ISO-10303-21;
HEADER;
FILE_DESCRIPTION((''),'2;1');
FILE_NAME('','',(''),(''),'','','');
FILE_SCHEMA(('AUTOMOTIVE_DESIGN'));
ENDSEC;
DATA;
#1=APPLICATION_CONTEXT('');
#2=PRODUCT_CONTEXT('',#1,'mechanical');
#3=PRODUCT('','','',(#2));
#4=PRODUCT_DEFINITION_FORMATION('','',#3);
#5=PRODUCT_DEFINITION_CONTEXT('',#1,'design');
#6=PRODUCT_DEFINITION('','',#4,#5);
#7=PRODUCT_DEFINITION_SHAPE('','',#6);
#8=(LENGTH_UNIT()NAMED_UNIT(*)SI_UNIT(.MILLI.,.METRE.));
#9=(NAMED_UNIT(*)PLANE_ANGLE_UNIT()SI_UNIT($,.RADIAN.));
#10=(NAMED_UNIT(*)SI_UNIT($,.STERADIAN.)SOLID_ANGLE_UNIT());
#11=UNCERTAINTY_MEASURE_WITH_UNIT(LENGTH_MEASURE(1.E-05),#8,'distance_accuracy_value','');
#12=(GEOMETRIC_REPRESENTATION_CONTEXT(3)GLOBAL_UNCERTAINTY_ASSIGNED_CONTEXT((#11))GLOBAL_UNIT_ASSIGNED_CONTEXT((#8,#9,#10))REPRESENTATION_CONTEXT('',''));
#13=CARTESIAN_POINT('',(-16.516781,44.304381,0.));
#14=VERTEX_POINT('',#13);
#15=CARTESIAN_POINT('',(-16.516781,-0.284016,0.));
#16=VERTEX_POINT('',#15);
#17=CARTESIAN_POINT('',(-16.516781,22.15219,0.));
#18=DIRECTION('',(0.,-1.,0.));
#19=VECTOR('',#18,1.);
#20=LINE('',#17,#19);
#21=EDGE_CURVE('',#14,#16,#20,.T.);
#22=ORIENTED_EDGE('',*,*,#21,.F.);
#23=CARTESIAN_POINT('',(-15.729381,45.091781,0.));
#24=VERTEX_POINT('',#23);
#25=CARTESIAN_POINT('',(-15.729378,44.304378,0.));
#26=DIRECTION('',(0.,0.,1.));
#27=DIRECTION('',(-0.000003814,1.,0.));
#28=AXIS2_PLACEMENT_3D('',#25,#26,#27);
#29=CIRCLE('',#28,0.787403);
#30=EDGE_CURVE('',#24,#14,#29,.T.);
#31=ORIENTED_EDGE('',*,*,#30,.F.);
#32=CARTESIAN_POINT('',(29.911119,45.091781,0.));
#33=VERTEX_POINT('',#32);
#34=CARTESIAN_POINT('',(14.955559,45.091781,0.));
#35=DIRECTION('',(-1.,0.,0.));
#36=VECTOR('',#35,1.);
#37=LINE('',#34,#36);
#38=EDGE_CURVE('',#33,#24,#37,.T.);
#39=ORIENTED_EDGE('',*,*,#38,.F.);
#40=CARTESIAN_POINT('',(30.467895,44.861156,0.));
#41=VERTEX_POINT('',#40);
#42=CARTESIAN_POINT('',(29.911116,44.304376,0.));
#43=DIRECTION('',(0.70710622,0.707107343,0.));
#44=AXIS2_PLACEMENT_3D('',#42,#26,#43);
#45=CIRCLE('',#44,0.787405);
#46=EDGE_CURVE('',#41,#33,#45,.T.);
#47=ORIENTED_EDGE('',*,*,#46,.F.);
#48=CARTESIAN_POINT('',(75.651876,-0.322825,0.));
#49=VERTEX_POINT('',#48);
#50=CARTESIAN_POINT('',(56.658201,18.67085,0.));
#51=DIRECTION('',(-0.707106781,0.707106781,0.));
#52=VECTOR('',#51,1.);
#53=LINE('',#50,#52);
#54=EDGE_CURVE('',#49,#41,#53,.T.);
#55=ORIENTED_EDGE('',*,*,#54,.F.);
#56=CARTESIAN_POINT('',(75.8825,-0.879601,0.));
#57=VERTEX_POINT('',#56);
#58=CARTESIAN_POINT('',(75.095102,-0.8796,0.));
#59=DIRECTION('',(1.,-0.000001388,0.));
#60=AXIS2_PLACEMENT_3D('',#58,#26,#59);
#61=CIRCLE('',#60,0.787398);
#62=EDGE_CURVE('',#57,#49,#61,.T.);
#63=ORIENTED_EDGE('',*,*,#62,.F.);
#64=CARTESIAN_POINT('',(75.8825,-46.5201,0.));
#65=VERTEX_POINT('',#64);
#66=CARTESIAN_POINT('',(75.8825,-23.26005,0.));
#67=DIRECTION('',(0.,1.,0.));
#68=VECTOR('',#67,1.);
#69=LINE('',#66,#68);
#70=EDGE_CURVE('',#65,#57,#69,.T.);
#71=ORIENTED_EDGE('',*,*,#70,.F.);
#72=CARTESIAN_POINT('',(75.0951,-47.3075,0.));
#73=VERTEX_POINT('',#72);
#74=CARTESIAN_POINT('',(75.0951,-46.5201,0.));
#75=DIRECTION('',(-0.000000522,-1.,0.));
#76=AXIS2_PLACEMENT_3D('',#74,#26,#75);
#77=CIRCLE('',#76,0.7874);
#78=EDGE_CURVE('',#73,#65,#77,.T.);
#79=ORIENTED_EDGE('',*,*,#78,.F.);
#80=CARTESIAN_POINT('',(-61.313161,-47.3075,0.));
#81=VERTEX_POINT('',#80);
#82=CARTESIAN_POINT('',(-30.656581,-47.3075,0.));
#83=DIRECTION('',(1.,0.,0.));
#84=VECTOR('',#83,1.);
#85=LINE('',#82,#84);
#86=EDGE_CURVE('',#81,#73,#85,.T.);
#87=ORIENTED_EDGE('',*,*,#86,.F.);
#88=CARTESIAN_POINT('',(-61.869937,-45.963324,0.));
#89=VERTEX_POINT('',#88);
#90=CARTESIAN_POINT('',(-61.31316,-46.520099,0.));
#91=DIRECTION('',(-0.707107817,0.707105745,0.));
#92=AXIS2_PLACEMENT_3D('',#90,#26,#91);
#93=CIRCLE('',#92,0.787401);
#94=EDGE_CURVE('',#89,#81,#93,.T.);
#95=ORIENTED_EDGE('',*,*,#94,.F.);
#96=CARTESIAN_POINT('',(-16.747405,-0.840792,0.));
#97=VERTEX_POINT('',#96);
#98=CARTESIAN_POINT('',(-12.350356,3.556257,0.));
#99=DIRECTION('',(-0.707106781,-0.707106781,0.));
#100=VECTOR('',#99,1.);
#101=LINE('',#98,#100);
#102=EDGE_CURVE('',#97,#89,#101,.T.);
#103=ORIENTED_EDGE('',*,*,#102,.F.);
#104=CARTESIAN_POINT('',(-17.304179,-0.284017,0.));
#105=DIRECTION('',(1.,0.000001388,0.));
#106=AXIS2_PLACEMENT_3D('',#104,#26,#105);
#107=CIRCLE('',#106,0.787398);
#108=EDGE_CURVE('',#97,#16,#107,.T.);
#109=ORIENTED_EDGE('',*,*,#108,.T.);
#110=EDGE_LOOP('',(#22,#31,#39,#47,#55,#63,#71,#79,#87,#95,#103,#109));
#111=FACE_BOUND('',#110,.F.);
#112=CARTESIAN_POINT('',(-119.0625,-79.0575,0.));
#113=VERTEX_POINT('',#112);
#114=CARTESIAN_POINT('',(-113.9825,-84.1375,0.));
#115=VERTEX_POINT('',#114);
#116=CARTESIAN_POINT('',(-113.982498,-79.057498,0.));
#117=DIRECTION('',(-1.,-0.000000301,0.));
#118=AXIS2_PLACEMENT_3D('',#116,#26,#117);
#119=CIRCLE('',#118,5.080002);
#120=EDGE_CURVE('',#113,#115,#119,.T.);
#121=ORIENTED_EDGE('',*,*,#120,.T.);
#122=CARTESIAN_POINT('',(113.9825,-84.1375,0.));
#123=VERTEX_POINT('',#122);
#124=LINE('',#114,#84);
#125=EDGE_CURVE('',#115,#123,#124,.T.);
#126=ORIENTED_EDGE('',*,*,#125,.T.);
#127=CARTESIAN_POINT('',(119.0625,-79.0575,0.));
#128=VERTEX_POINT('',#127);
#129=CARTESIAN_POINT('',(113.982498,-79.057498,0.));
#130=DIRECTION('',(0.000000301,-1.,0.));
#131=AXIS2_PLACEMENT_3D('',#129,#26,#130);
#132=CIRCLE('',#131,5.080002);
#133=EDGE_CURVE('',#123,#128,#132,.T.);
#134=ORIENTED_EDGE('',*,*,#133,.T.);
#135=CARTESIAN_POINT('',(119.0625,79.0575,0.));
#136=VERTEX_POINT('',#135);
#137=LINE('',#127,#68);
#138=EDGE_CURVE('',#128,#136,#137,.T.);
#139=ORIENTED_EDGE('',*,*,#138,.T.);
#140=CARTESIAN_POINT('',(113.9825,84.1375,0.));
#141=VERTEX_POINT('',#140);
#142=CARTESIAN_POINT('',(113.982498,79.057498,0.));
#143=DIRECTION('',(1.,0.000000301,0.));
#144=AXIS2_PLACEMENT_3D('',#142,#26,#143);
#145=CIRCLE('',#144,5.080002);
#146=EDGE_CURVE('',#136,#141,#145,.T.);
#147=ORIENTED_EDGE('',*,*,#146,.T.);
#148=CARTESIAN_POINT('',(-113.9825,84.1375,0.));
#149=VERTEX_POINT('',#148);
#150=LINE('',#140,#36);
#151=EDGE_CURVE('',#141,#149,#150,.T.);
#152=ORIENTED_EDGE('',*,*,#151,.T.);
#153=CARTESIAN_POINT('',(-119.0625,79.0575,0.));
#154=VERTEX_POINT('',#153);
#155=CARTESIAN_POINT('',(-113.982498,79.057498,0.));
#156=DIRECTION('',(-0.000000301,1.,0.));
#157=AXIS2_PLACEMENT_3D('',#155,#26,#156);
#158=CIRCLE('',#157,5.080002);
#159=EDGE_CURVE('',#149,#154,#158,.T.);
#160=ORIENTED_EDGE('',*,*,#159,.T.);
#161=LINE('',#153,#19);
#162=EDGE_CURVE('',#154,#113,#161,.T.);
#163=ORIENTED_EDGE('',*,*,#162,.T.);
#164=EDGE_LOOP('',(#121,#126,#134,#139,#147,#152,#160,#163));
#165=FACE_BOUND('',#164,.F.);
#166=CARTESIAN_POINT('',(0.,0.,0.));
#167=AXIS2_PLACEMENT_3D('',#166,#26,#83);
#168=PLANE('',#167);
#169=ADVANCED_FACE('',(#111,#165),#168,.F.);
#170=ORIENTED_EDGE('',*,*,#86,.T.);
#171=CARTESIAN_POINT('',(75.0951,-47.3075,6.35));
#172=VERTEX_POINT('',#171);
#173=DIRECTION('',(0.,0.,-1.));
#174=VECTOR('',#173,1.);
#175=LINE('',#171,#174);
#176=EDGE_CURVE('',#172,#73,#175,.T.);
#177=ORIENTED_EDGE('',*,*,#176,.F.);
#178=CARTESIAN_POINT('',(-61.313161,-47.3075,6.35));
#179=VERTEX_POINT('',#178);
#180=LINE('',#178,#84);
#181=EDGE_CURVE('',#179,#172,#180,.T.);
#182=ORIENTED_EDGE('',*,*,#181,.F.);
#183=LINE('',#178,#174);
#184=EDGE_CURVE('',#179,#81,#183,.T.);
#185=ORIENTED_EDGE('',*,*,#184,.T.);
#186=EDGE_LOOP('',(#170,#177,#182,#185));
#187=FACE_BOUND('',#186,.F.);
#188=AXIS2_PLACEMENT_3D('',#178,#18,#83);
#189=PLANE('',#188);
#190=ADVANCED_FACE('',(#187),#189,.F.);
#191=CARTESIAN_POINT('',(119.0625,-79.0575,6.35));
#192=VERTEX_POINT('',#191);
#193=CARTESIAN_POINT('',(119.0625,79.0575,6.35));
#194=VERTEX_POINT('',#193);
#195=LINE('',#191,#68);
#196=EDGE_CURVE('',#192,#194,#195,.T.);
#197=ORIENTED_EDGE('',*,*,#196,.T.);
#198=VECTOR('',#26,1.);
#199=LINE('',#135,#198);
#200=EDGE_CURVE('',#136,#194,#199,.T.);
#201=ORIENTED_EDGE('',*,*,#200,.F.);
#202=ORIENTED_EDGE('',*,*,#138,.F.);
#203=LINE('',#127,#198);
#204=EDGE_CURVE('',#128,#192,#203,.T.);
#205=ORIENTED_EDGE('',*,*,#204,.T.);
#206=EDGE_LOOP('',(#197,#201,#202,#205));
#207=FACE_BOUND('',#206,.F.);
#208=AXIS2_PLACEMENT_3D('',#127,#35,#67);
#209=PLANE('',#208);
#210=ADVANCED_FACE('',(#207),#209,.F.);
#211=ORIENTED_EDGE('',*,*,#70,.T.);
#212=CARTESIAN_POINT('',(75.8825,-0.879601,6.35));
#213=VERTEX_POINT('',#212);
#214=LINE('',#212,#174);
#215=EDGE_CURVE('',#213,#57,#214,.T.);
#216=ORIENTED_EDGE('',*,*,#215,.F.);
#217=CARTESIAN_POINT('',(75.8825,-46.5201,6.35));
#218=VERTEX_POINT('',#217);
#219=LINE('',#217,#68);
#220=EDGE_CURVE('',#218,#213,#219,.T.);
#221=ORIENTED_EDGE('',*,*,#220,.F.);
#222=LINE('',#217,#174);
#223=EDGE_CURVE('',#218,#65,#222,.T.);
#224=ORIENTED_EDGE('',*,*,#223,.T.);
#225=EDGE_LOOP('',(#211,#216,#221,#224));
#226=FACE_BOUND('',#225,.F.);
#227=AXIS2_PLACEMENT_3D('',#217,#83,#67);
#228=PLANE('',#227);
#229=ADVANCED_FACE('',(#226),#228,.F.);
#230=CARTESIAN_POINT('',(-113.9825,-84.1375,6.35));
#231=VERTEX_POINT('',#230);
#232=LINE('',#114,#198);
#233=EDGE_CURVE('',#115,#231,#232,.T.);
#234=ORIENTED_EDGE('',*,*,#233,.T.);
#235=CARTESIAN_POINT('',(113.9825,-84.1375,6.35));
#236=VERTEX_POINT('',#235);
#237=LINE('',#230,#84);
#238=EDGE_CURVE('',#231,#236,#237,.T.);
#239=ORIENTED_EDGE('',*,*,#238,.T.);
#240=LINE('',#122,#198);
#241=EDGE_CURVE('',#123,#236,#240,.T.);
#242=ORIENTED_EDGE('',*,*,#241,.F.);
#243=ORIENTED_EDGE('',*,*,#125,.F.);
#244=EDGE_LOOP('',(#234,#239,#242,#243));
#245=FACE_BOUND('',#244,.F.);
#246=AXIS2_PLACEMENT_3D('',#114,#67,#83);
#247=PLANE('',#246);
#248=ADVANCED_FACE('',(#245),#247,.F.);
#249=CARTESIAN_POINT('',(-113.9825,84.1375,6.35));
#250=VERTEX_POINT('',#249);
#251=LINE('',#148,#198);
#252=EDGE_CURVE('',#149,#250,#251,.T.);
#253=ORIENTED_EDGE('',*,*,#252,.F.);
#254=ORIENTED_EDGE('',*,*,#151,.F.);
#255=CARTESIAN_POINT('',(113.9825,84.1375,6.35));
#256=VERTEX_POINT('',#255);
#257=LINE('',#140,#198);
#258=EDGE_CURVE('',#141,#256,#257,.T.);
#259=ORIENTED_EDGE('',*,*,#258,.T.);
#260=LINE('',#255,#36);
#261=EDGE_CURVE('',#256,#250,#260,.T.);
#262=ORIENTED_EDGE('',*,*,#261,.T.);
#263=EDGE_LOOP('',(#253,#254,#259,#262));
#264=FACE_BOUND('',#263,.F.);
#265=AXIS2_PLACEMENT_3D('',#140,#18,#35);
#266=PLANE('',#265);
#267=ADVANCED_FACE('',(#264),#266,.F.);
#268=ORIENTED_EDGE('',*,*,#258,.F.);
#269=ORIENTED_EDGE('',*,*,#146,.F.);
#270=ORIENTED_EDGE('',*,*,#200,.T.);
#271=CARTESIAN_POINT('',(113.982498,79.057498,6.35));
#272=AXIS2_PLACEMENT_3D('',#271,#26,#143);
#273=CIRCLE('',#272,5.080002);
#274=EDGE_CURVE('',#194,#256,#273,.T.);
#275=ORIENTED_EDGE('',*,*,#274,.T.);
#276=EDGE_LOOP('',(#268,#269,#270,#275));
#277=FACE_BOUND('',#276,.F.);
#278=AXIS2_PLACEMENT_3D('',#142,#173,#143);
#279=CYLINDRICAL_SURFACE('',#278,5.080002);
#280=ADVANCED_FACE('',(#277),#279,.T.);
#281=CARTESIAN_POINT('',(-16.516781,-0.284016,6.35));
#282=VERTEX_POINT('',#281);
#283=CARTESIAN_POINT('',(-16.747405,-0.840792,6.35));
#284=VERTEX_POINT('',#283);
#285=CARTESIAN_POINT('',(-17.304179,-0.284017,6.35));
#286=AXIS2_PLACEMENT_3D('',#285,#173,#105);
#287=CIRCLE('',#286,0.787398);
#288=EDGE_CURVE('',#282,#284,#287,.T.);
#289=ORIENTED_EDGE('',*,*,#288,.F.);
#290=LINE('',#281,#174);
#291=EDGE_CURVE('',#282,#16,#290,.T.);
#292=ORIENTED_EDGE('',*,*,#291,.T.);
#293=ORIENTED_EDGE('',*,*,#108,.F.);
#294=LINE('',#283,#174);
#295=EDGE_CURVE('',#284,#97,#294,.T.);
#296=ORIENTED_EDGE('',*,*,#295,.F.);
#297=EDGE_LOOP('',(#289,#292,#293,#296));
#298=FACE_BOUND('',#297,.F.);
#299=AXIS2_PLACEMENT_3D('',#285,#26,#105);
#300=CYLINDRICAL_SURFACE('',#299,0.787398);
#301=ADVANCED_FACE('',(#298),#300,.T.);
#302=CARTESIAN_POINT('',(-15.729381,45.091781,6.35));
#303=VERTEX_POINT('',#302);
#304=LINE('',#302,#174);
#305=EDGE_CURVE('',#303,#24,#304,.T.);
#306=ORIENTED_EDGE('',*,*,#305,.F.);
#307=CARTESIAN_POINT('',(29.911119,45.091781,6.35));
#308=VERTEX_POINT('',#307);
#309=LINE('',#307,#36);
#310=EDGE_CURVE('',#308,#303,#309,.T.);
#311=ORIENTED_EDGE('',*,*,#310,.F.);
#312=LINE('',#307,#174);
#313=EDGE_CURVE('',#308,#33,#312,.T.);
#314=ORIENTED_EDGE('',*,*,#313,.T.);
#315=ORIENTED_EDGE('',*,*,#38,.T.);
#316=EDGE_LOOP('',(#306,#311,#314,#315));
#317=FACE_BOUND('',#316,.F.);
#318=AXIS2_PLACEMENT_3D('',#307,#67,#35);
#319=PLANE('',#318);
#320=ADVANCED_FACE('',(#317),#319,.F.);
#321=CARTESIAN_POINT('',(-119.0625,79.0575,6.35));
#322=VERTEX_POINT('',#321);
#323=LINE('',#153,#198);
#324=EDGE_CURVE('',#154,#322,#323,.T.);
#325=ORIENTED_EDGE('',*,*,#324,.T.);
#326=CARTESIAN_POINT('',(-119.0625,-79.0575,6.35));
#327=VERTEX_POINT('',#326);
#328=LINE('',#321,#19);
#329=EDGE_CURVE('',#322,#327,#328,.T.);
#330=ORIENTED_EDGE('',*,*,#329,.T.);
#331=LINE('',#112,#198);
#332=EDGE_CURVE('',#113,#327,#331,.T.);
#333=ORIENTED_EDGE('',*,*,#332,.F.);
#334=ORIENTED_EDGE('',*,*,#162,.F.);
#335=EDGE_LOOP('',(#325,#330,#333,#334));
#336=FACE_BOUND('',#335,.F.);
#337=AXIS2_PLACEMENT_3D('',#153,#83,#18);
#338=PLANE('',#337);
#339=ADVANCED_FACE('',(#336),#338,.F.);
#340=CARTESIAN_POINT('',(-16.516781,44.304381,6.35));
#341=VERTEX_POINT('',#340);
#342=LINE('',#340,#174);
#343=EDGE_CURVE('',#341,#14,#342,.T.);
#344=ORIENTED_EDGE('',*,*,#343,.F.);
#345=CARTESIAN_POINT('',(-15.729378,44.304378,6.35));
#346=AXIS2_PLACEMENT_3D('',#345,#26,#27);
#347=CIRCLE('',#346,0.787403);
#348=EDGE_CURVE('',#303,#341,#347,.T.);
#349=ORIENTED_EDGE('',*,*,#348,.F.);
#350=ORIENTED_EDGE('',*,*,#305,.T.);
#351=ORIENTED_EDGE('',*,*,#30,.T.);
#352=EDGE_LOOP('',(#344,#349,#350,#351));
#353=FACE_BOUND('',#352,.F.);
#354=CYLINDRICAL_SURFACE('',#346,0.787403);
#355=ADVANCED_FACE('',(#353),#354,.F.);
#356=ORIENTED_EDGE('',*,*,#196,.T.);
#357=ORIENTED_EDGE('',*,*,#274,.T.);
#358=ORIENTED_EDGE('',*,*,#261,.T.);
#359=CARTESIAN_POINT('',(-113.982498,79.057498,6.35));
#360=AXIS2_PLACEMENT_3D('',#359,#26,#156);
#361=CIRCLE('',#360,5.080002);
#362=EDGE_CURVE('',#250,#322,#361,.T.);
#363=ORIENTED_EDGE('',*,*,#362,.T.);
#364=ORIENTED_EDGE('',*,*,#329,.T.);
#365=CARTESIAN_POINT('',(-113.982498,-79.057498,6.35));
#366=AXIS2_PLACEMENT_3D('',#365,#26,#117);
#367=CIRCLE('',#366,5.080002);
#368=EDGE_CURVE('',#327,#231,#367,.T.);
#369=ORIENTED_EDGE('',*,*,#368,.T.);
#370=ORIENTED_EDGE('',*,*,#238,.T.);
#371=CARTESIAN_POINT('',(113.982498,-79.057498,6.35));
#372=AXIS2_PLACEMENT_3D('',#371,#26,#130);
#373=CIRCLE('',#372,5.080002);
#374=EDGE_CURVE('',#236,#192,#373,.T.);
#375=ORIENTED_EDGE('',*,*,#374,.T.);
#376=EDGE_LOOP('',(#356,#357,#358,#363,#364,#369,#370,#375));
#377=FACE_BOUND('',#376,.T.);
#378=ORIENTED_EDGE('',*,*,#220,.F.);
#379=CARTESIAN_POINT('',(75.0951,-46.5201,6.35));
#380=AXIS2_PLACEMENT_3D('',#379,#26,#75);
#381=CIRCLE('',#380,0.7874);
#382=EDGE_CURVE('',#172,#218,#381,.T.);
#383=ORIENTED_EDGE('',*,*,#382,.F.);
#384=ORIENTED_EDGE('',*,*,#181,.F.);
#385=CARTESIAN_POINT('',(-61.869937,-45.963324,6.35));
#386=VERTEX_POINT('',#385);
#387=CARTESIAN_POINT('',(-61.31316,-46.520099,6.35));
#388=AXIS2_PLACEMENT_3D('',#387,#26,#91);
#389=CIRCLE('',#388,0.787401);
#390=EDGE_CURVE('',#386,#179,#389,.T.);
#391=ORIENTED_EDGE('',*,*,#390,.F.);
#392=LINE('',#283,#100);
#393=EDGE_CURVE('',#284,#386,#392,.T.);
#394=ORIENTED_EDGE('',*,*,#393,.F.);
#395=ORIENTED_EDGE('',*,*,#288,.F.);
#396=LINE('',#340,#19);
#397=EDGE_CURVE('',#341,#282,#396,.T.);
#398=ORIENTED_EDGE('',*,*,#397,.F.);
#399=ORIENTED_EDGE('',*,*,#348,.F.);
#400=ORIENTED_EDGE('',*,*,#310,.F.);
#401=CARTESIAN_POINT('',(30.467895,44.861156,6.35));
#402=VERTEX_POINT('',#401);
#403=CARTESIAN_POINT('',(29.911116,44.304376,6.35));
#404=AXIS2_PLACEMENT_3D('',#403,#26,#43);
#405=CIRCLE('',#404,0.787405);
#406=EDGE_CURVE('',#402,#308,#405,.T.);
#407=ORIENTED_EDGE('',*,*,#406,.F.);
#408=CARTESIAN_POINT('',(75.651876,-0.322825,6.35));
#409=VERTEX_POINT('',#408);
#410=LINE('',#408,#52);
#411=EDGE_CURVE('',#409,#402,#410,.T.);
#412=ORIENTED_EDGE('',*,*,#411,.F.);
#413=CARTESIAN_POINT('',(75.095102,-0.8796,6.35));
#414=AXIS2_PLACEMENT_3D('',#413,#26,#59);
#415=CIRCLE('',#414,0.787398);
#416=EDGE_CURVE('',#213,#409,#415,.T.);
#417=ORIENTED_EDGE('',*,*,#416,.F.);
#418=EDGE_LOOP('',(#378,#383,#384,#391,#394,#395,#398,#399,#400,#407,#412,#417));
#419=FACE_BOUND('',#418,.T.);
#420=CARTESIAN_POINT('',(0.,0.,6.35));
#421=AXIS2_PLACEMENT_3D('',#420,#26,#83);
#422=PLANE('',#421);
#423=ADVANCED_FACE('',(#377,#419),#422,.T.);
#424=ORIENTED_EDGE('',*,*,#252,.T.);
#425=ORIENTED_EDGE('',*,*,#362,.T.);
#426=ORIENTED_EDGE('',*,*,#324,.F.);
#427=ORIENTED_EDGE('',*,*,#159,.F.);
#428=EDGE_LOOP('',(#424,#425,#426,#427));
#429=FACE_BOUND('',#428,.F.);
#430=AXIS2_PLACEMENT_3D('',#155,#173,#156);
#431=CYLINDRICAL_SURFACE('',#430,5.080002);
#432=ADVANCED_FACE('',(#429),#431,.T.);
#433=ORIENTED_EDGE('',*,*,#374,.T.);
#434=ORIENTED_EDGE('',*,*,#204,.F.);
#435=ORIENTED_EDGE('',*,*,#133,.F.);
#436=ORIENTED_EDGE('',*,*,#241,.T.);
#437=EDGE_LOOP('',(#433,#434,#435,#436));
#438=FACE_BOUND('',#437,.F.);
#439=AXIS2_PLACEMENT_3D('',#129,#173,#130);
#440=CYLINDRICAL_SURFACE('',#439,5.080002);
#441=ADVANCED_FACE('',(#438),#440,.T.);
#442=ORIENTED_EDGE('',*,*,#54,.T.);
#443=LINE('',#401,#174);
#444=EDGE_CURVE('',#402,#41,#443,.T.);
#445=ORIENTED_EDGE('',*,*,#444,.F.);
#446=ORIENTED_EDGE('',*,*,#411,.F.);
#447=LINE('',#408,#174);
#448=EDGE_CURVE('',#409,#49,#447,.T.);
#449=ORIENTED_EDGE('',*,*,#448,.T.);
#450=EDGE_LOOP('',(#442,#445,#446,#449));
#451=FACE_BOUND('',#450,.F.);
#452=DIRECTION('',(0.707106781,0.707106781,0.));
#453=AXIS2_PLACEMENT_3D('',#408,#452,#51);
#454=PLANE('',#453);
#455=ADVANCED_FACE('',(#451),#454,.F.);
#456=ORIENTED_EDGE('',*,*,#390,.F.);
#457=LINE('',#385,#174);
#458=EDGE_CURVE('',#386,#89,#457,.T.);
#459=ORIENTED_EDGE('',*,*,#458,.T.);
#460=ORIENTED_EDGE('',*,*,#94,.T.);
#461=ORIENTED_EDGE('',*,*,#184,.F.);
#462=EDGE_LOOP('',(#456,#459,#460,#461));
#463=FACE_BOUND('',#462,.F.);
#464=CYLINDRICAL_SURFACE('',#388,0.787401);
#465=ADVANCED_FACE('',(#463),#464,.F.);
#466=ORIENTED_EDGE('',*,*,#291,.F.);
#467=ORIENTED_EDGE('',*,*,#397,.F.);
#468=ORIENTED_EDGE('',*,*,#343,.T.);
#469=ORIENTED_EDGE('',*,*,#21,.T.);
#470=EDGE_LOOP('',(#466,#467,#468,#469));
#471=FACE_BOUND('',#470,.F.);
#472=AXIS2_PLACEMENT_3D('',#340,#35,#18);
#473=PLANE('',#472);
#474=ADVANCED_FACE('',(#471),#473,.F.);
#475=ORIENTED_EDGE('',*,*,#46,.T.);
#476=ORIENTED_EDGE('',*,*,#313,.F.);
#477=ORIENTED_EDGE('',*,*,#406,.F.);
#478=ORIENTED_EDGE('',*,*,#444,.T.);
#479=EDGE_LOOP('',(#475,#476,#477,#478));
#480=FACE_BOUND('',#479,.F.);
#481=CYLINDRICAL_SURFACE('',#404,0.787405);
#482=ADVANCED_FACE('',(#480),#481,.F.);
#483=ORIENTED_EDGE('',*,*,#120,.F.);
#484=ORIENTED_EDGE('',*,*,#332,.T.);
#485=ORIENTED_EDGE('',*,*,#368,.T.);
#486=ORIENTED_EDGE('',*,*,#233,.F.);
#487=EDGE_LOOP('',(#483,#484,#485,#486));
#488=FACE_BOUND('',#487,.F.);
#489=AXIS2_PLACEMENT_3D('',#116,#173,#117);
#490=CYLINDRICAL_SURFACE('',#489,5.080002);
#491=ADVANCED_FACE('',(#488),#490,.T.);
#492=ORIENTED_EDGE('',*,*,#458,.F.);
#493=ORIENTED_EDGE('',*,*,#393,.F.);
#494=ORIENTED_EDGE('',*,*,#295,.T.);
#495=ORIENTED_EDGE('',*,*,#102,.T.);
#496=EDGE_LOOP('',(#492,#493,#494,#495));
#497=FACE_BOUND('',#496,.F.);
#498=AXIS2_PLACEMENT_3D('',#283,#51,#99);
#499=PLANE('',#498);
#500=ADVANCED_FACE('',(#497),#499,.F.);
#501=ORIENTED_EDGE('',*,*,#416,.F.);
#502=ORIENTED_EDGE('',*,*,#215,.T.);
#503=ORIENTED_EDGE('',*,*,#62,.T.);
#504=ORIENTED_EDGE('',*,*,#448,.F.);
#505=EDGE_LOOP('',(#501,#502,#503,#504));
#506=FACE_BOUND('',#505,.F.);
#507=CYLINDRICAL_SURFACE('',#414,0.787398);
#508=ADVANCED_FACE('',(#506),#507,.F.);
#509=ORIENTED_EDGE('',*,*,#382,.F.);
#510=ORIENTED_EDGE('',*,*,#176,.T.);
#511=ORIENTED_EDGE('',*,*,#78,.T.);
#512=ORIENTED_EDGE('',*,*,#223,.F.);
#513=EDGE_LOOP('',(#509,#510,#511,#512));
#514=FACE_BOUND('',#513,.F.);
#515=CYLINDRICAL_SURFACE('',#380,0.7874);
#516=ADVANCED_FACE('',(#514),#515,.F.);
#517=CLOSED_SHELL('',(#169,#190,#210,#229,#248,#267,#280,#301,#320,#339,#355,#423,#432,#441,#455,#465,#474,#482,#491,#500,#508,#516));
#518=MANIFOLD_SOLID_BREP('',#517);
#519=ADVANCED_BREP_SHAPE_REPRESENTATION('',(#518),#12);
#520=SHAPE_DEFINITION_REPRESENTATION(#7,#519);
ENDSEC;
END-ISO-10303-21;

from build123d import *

# Parameters (mm, degrees)
F1_DEPTH = 6.35
F3_DEPTH = 25.4
F5_DEPTH = 25.4


with BuildPart() as f1:
    # F0 (on Top) → F1 (new body)
    with BuildSketch(Plane.XY):
        with BuildLine():
            Line((113.9825, 84.1375), (-113.9825, 84.1375))
            ThreePointArc((-113.9825, 84.1375), (-117.574602, 82.649602), (-119.0625, 79.0575))
            Line((-119.0625, 79.0575), (-119.0625, -79.0575))
            ThreePointArc((-119.0625, -79.0575), (-117.574602, -82.649602), (-113.9825, -84.1375))
            Line((-113.9825, -84.1375), (113.9825, -84.1375))
            ThreePointArc((113.9825, -84.1375), (117.574602, -82.649602), (119.0625, -79.0575))
            Line((119.0625, -79.0575), (119.0625, 79.0575))
            ThreePointArc((119.0625, 79.0575), (117.574602, 82.649602), (113.9825, 84.1375))
        make_face()
    extrude(amount=F1_DEPTH)

    # F2 (on face) → F3 (cut)
    with BuildSketch(Plane.XY.offset(6.35)):
        Polygon((-15.246781, -1.136219), (-60.148061, -46.0375), (74.6125, -46.0375), (74.6125, -1.0795), (29.711219, 43.821781), (-15.246781, 43.821781), align=None)
    extrude(amount=-F3_DEPTH, mode=Mode.SUBTRACT)

    # F4 (on face) → F5 (cut)
    with BuildSketch(Plane.XY.offset(6.35)):
        with BuildLine():
            ThreePointArc((75.8825, -0.879601), (75.822563, -0.578276), (75.651876, -0.322825))
            Line((75.651876, -0.322825), (30.467895, 44.861156))
            ThreePointArc((30.467895, 44.861156), (30.212444, 45.031843), (29.911119, 45.091781))
            Line((29.911119, 45.091781), (-15.729381, 45.091781))
            ThreePointArc((-15.729381, 45.091781), (-16.286156, 44.861156), (-16.516781, 44.304381))
            Line((-16.516781, 44.304381), (-16.516781, -0.284016))
            ThreePointArc((-16.516781, -0.284016), (-16.576718, -0.585341), (-16.747405, -0.840792))
            Line((-16.747405, -0.840792), (-61.869937, -45.963324))
            ThreePointArc((-61.869937, -45.963324), (-62.040623, -46.821425), (-61.313161, -47.3075))
            Line((-61.313161, -47.3075), (75.0951, -47.3075))
            ThreePointArc((75.0951, -47.3075), (75.651876, -47.076876), (75.8825, -46.5201))
            Line((75.8825, -46.5201), (75.8825, -0.879601))
        make_face()
    extrude(amount=-F5_DEPTH, mode=Mode.SUBTRACT)


solid = f1.part
